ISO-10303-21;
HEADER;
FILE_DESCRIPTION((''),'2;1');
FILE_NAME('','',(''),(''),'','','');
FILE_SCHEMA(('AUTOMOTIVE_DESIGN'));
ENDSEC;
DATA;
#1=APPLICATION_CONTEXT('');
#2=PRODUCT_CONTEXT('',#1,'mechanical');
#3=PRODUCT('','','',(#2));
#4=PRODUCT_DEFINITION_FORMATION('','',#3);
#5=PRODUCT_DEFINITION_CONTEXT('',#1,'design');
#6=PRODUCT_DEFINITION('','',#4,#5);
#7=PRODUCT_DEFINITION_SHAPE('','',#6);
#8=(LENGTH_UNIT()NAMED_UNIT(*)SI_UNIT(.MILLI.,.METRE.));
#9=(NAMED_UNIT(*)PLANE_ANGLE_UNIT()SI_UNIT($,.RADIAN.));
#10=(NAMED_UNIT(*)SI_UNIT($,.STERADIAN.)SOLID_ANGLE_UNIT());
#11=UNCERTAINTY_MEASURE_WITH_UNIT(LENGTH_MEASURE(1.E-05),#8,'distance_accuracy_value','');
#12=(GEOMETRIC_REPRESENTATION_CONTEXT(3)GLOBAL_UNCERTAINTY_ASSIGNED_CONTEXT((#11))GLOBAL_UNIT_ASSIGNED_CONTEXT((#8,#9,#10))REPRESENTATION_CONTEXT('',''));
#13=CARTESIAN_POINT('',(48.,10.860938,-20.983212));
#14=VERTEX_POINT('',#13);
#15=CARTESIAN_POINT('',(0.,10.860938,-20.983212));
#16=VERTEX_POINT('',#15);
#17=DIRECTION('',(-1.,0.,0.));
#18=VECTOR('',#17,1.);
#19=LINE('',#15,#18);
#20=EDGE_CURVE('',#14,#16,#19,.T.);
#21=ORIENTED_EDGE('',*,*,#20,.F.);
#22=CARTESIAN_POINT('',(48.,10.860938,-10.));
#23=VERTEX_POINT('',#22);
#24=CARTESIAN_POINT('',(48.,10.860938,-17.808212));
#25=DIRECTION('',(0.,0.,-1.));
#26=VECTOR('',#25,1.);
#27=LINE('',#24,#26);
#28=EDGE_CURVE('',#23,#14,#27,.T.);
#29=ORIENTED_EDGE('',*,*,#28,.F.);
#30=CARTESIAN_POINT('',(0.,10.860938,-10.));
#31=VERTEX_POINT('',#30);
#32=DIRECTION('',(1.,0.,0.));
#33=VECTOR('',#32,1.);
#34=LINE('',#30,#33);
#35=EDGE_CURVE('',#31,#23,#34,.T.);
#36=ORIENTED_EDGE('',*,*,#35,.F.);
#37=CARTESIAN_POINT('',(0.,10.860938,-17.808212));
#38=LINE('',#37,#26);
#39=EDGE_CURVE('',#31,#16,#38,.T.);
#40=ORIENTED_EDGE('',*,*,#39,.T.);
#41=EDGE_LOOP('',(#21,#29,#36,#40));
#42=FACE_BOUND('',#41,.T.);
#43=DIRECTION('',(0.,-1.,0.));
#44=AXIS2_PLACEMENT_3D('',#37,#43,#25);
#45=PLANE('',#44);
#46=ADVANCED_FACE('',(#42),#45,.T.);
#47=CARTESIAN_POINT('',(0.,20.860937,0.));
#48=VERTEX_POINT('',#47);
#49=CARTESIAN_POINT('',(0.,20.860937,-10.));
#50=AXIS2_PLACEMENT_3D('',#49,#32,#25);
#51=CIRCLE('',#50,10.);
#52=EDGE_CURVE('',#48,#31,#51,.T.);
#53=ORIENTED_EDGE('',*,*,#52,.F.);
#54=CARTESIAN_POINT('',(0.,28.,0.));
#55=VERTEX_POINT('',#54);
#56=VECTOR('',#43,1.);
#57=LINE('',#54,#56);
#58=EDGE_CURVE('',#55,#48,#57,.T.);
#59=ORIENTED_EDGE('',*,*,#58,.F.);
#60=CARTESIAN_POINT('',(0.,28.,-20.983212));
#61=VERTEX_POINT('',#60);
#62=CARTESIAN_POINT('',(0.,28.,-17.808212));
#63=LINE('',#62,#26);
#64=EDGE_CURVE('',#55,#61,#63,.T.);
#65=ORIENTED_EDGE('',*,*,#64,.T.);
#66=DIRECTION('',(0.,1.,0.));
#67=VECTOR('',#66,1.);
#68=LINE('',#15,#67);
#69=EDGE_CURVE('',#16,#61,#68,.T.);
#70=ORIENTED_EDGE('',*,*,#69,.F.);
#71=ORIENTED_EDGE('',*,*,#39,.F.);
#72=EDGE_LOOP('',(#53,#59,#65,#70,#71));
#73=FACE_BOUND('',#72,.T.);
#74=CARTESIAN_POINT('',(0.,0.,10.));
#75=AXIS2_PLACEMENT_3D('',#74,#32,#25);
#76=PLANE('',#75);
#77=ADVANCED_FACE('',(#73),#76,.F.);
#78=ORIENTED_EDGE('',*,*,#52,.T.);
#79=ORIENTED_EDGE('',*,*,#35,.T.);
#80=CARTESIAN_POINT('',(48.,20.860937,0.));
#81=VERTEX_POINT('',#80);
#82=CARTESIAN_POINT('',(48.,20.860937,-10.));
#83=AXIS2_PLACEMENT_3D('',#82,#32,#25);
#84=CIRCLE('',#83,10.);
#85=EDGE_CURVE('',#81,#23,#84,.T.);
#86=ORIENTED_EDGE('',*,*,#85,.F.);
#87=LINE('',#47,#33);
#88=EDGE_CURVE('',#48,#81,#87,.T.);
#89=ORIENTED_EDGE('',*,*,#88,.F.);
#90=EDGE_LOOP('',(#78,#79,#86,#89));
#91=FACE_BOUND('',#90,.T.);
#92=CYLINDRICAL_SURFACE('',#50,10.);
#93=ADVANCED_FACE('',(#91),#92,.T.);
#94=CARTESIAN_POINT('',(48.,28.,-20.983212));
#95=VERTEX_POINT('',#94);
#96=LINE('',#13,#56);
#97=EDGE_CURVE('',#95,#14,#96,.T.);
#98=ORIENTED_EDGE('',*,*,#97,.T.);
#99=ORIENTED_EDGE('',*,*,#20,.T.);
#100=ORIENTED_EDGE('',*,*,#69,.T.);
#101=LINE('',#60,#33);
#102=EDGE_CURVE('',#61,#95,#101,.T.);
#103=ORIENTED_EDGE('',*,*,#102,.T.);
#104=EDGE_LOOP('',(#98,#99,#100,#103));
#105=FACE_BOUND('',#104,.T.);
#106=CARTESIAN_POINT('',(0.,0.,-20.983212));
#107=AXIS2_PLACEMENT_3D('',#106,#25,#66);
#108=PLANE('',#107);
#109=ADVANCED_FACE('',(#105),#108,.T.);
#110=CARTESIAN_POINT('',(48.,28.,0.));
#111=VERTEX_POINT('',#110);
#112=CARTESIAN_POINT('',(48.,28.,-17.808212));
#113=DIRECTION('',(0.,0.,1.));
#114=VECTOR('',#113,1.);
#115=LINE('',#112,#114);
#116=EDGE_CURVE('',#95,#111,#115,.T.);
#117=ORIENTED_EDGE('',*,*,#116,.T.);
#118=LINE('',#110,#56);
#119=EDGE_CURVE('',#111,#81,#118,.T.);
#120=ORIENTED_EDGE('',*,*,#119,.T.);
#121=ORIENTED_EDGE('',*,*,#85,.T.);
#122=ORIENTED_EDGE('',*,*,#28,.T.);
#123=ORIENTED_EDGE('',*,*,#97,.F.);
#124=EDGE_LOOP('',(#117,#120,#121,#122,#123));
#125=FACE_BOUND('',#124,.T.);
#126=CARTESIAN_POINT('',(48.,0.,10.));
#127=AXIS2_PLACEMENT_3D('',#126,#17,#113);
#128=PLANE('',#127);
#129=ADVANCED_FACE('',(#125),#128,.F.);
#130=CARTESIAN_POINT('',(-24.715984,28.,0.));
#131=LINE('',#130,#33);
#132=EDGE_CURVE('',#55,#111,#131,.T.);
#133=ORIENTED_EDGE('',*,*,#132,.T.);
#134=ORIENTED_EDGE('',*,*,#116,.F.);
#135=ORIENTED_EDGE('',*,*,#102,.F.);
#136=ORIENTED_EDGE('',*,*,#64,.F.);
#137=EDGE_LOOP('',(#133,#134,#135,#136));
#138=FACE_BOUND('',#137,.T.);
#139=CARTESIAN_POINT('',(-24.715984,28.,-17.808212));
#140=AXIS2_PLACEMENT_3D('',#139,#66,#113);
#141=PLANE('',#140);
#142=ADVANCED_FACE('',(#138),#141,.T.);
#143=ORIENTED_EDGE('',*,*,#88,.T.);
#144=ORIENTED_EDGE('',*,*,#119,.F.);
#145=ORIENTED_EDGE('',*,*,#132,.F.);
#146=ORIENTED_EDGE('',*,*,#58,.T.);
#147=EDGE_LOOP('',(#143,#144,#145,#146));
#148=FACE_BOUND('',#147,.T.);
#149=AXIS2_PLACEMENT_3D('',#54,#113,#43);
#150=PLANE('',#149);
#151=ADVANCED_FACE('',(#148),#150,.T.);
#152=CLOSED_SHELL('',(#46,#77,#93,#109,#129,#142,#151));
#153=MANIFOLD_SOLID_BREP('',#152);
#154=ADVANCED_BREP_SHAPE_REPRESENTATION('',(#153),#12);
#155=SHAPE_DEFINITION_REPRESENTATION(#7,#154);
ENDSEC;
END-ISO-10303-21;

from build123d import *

# Parameters (mm, degrees)
SKETCH1_W            = 48
SKETCH1_H            = 53
BOSS_EXTRUDE1_DEPTH  = 10
SKETCH2_W            = 48
SKETCH2_H            = 5.616325
BOSS_EXTRUDE2_DEPTH  = 33.1917878
SKETCH4_W            = 4
SKETCH4_H            = 10
BOSS_EXTRUDE4_DEPTH  = 40
SKETCH5_W            = 48
SKETCH5_H            = 10.8609375
BOSS_EXTRUDE5_DEPTH  = 23.1917878
SKETCH6_W            = 48
SKETCH6_H            = 5
BOSS_EXTRUDE6_DEPTH  = 42.3
SKETCH7_W            = 12.8082122
SKETCH7_H            = 16.4772625
BOSS_EXTRUDE7_DEPTH  = 48
CUT_EXTRUDE1_REACH   = 84.426
SKETCH8_R            = 11.5
SKETCH8_R_2          = 2
FILLET1_R            = 10
FILLET2_R            = 4
SKETCH9_W            = 5
SKETCH9_H            = 16.4772625
BOSS_EXTRUDE9_DEPTH  = 48
CUT_EXTRUDE2_DEPTH   = 6
SKETCH11_R           = 1.9304
CUT_EXTRUDE3_DEPTH   = 6
BOSS_EXTRUDE11_DEPTH = 3
BOSS_EXTRUDE12_DEPTH = 48
SKETCH14_W           = 119.824941969
SKETCH14_H           = 122.237524693
CUT_EXTRUDE4_DEPTH   = 90.10667764
SKETCH15_W           = 48
SKETCH15_H           = 17.1390625
BOSS_EXTRUDE13_DEPTH = 3.175


with BuildPart() as part:
    # Sketch1 → Boss-Extrude1 (new body)
    with BuildSketch(Plane.XY):
        with Locations((24, 26.5)):
            Rectangle(SKETCH1_W, SKETCH1_H)
    extrude(amount=BOSS_EXTRUDE1_DEPTH)

    # Sketch2 → Boss-Extrude2 (add)
    with BuildSketch(Plane(origin=(0, 0, 0), x_dir=(-1, 0, 0), z_dir=(0, 0, -1))):
        with Locations((-24, -2.8081625)):
            Rectangle(SKETCH2_W, SKETCH2_H)
    extrude(amount=-BOSS_EXTRUDE2_DEPTH)

    # Sketch4 → Boss-Extrude4 (add)
    with BuildSketch(Plane.XY.offset(10)):
        with Locations((2, 48)):
            Rectangle(SKETCH4_W, SKETCH4_H)
        with Locations((46, 48)):
            Rectangle(SKETCH4_W, SKETCH4_H)
    extrude(amount=BOSS_EXTRUDE4_DEPTH)

    # Sketch5 → Boss-Extrude5 (add)
    with BuildSketch(Plane.XY.offset(10)):
        with Locations((24, 5.43046875)):
            Rectangle(SKETCH5_W, SKETCH5_H)
    extrude(amount=BOSS_EXTRUDE5_DEPTH)

    # Sketch6 → Boss-Extrude6 (add)
    with BuildSketch(Plane.XZ.offset(5.616325)):
        with Locations((24, 30.6917878)):
            Rectangle(SKETCH6_W, SKETCH6_H)
    extrude(amount=BOSS_EXTRUDE6_DEPTH)

    # Sketch7 → Boss-Extrude7 (add)
    with BuildSketch(Plane.ZY):
        with Locations((-6.4041061, 2.62230625)):
            Rectangle(SKETCH7_W, SKETCH7_H)
    extrude(amount=-BOSS_EXTRUDE7_DEPTH)

    # Sketch8 → Cut-Extrude1 (cut, up to next)
    with BuildSketch(Plane(origin=(0, 0, 28.1917878), x_dir=(-1, 0, 0), z_dir=(0, 0, -1)), mode=Mode.PRIVATE) as cut_extrude1_sk1:
        with Locations((-24, -26.616325)):
            Circle(SKETCH8_R)
    cut_extrude1_tool1 = extrude(cut_extrude1_sk1.sketch, amount=-CUT_EXTRUDE1_REACH, mode=Mode.PRIVATE) & part.part
    # Sketch8 → Cut-Extrude1 (cut, up to next)
    with BuildSketch(Plane(origin=(0, 0, 28.1917878), x_dir=(-1, 0, 0), z_dir=(0, 0, -1)), mode=Mode.PRIVATE) as cut_extrude1_sk2:
        with Locations((-39.5, -11.116325)):
            Circle(SKETCH8_R_2)
    cut_extrude1_tool2 = extrude(cut_extrude1_sk2.sketch, amount=-CUT_EXTRUDE1_REACH, mode=Mode.PRIVATE) & part.part
    # Sketch8 → Cut-Extrude1 (cut, up to next)
    with BuildSketch(Plane(origin=(0, 0, 28.1917878), x_dir=(-1, 0, 0), z_dir=(0, 0, -1)), mode=Mode.PRIVATE) as cut_extrude1_sk3:
        with Locations((-39.5, -42.116325)):
            Circle(SKETCH8_R_2)
    cut_extrude1_tool3 = extrude(cut_extrude1_sk3.sketch, amount=-CUT_EXTRUDE1_REACH, mode=Mode.PRIVATE) & part.part
    # Sketch8 → Cut-Extrude1 (cut, up to next)
    with BuildSketch(Plane(origin=(0, 0, 28.1917878), x_dir=(-1, 0, 0), z_dir=(0, 0, -1)), mode=Mode.PRIVATE) as cut_extrude1_sk4:
        with Locations((-8.5, -11.116325)):
            Circle(SKETCH8_R_2)
    cut_extrude1_tool4 = extrude(cut_extrude1_sk4.sketch, amount=-CUT_EXTRUDE1_REACH, mode=Mode.PRIVATE) & part.part
    # Sketch8 → Cut-Extrude1 (cut, up to next)
    with BuildSketch(Plane(origin=(0, 0, 28.1917878), x_dir=(-1, 0, 0), z_dir=(0, 0, -1)), mode=Mode.PRIVATE) as cut_extrude1_sk5:
        with Locations((-8.5, -42.116325)):
            Circle(SKETCH8_R_2)
    cut_extrude1_tool5 = extrude(cut_extrude1_sk5.sketch, amount=-CUT_EXTRUDE1_REACH, mode=Mode.PRIVATE) & part.part
    add(cut_extrude1_tool1.solids().sort_by_distance((24, -26.616325, 28.191788))[0], mode=Mode.SUBTRACT)
    add(cut_extrude1_tool2.solids().sort_by_distance((39.5, -11.116325, 28.191788))[0], mode=Mode.SUBTRACT)
    add(cut_extrude1_tool3.solids().sort_by_distance((39.5, -42.116325, 28.191788))[0], mode=Mode.SUBTRACT)
    add(cut_extrude1_tool4.solids().sort_by_distance((8.5, -11.116325, 28.191788))[0], mode=Mode.SUBTRACT)
    add(cut_extrude1_tool5.solids().sort_by_distance((8.5, -42.116325, 28.191788))[0], mode=Mode.SUBTRACT)

    # Fillet1
    fillet1_edges = [part.edges().sort_by_distance(p)[0] for p in [
        (24, 10.8609375, 0),
    ]]
    fillet(fillet1_edges, radius=FILLET1_R)

    # Fillet2
    fillet2_edges = [part.edges().sort_by_distance(p)[0] for p in [
        (2, 43, 10),
        (46, 43, 10),
    ]]
    fillet(fillet2_edges, radius=FILLET2_R)

    # Sketch9 → Boss-Extrude9 (add)
    with BuildSketch(Plane(origin=(48, 0, 0), x_dir=(0, 0, -1), z_dir=(1, 0, 0))):
        with Locations((15.3082122, 2.62230625)):
            Rectangle(SKETCH9_W, SKETCH9_H)
    extrude(amount=-BOSS_EXTRUDE9_DEPTH)

    # Sketch10 → Cut-Extrude2 (cut)
    with BuildSketch(Plane.XY.offset(10)):
        Polygon((12.429, 36.979734073), (9, 38.959468146), (5.571, 36.979734073), (5.571, 33.020265927), (9, 31.040531854), (12.429, 33.020265927), align=None)
        Polygon((35.571, 36.979734073), (35.571, 33.020265927), (39, 31.040531854), (42.429, 33.020265927), (42.429, 36.979734073), (39, 38.959468146), align=None)
    extrude(amount=-CUT_EXTRUDE2_DEPTH, mode=Mode.SUBTRACT)

    # Sketch11 → Cut-Extrude3 (cut)
    with BuildSketch(Plane.XY.offset(4)):
        with Locations((9, 35)):
            Circle(SKETCH11_R)
        with Locations((39, 35)):
            Circle(SKETCH11_R)
    extrude(amount=-CUT_EXTRUDE3_DEPTH, mode=Mode.SUBTRACT)

    # Sketch12 → Boss-Extrude11 (add)
    with BuildSketch(Plane(origin=(0, 53, 0), x_dir=(1, 0, 0), z_dir=(0, 1, 0))):
        Polygon((0, 0), (0, -50), (4, -50), (4, -10), (44, -10), (44, -50), (48, -50), (48, 0), align=None)
    extrude(amount=BOSS_EXTRUDE11_DEPTH)

    # Sketch13 → Boss-Extrude12 (add)
    with BuildSketch(Plane(origin=(48, 0, 0), x_dir=(0, 0, -1), z_dir=(1, 0, 0))):
        with BuildLine():
            Line((17.8082122, 10.8609375), (10, 10.8609375))
            ThreePointArc((10, 10.8609375), (2.928932188, 13.789869688), (0, 20.8609375))
            Line((0, 20.8609375), (0, 28))
            Line((0, 28), (17.8082122, 28))
            Line((17.8082122, 28), (17.8082122, 10.8609375))
        make_face()
    extrude(amount=-BOSS_EXTRUDE12_DEPTH)

    # Sketch14 → Cut-Extrude4 (cut, through all)
    with BuildSketch(Plane(origin=(48, 0, 0), x_dir=(0, 0, -1), z_dir=(1, 0, 0))):
        with Locations((-16.90365686, 8.216937598)):
            Rectangle(SKETCH14_W, SKETCH14_H)
        with BuildLine():
            Line((0, 28), (0, 20.8609375))
            ThreePointArc((0, 20.8609375), (2.928932188, 13.789869688), (10, 10.8609375))
            Line((10, 10.8609375), (17.8082122, 10.8609375))
            Line((17.8082122, 10.8609375), (17.8082122, 28))
            Line((17.8082122, 28), (0, 28))
        make_face(mode=Mode.SUBTRACT)
    extrude(amount=-CUT_EXTRUDE4_DEPTH, mode=Mode.SUBTRACT)

    # Sketch15 → Boss-Extrude13 (add)
    with BuildSketch(Plane(origin=(0, 0, -17.8082122), x_dir=(-1, 0, 0), z_dir=(0, 0, -1))):
        with Locations((-24, 19.43046875)):
            Rectangle(SKETCH15_W, SKETCH15_H)
    extrude(amount=BOSS_EXTRUDE13_DEPTH)


solid = part.part
